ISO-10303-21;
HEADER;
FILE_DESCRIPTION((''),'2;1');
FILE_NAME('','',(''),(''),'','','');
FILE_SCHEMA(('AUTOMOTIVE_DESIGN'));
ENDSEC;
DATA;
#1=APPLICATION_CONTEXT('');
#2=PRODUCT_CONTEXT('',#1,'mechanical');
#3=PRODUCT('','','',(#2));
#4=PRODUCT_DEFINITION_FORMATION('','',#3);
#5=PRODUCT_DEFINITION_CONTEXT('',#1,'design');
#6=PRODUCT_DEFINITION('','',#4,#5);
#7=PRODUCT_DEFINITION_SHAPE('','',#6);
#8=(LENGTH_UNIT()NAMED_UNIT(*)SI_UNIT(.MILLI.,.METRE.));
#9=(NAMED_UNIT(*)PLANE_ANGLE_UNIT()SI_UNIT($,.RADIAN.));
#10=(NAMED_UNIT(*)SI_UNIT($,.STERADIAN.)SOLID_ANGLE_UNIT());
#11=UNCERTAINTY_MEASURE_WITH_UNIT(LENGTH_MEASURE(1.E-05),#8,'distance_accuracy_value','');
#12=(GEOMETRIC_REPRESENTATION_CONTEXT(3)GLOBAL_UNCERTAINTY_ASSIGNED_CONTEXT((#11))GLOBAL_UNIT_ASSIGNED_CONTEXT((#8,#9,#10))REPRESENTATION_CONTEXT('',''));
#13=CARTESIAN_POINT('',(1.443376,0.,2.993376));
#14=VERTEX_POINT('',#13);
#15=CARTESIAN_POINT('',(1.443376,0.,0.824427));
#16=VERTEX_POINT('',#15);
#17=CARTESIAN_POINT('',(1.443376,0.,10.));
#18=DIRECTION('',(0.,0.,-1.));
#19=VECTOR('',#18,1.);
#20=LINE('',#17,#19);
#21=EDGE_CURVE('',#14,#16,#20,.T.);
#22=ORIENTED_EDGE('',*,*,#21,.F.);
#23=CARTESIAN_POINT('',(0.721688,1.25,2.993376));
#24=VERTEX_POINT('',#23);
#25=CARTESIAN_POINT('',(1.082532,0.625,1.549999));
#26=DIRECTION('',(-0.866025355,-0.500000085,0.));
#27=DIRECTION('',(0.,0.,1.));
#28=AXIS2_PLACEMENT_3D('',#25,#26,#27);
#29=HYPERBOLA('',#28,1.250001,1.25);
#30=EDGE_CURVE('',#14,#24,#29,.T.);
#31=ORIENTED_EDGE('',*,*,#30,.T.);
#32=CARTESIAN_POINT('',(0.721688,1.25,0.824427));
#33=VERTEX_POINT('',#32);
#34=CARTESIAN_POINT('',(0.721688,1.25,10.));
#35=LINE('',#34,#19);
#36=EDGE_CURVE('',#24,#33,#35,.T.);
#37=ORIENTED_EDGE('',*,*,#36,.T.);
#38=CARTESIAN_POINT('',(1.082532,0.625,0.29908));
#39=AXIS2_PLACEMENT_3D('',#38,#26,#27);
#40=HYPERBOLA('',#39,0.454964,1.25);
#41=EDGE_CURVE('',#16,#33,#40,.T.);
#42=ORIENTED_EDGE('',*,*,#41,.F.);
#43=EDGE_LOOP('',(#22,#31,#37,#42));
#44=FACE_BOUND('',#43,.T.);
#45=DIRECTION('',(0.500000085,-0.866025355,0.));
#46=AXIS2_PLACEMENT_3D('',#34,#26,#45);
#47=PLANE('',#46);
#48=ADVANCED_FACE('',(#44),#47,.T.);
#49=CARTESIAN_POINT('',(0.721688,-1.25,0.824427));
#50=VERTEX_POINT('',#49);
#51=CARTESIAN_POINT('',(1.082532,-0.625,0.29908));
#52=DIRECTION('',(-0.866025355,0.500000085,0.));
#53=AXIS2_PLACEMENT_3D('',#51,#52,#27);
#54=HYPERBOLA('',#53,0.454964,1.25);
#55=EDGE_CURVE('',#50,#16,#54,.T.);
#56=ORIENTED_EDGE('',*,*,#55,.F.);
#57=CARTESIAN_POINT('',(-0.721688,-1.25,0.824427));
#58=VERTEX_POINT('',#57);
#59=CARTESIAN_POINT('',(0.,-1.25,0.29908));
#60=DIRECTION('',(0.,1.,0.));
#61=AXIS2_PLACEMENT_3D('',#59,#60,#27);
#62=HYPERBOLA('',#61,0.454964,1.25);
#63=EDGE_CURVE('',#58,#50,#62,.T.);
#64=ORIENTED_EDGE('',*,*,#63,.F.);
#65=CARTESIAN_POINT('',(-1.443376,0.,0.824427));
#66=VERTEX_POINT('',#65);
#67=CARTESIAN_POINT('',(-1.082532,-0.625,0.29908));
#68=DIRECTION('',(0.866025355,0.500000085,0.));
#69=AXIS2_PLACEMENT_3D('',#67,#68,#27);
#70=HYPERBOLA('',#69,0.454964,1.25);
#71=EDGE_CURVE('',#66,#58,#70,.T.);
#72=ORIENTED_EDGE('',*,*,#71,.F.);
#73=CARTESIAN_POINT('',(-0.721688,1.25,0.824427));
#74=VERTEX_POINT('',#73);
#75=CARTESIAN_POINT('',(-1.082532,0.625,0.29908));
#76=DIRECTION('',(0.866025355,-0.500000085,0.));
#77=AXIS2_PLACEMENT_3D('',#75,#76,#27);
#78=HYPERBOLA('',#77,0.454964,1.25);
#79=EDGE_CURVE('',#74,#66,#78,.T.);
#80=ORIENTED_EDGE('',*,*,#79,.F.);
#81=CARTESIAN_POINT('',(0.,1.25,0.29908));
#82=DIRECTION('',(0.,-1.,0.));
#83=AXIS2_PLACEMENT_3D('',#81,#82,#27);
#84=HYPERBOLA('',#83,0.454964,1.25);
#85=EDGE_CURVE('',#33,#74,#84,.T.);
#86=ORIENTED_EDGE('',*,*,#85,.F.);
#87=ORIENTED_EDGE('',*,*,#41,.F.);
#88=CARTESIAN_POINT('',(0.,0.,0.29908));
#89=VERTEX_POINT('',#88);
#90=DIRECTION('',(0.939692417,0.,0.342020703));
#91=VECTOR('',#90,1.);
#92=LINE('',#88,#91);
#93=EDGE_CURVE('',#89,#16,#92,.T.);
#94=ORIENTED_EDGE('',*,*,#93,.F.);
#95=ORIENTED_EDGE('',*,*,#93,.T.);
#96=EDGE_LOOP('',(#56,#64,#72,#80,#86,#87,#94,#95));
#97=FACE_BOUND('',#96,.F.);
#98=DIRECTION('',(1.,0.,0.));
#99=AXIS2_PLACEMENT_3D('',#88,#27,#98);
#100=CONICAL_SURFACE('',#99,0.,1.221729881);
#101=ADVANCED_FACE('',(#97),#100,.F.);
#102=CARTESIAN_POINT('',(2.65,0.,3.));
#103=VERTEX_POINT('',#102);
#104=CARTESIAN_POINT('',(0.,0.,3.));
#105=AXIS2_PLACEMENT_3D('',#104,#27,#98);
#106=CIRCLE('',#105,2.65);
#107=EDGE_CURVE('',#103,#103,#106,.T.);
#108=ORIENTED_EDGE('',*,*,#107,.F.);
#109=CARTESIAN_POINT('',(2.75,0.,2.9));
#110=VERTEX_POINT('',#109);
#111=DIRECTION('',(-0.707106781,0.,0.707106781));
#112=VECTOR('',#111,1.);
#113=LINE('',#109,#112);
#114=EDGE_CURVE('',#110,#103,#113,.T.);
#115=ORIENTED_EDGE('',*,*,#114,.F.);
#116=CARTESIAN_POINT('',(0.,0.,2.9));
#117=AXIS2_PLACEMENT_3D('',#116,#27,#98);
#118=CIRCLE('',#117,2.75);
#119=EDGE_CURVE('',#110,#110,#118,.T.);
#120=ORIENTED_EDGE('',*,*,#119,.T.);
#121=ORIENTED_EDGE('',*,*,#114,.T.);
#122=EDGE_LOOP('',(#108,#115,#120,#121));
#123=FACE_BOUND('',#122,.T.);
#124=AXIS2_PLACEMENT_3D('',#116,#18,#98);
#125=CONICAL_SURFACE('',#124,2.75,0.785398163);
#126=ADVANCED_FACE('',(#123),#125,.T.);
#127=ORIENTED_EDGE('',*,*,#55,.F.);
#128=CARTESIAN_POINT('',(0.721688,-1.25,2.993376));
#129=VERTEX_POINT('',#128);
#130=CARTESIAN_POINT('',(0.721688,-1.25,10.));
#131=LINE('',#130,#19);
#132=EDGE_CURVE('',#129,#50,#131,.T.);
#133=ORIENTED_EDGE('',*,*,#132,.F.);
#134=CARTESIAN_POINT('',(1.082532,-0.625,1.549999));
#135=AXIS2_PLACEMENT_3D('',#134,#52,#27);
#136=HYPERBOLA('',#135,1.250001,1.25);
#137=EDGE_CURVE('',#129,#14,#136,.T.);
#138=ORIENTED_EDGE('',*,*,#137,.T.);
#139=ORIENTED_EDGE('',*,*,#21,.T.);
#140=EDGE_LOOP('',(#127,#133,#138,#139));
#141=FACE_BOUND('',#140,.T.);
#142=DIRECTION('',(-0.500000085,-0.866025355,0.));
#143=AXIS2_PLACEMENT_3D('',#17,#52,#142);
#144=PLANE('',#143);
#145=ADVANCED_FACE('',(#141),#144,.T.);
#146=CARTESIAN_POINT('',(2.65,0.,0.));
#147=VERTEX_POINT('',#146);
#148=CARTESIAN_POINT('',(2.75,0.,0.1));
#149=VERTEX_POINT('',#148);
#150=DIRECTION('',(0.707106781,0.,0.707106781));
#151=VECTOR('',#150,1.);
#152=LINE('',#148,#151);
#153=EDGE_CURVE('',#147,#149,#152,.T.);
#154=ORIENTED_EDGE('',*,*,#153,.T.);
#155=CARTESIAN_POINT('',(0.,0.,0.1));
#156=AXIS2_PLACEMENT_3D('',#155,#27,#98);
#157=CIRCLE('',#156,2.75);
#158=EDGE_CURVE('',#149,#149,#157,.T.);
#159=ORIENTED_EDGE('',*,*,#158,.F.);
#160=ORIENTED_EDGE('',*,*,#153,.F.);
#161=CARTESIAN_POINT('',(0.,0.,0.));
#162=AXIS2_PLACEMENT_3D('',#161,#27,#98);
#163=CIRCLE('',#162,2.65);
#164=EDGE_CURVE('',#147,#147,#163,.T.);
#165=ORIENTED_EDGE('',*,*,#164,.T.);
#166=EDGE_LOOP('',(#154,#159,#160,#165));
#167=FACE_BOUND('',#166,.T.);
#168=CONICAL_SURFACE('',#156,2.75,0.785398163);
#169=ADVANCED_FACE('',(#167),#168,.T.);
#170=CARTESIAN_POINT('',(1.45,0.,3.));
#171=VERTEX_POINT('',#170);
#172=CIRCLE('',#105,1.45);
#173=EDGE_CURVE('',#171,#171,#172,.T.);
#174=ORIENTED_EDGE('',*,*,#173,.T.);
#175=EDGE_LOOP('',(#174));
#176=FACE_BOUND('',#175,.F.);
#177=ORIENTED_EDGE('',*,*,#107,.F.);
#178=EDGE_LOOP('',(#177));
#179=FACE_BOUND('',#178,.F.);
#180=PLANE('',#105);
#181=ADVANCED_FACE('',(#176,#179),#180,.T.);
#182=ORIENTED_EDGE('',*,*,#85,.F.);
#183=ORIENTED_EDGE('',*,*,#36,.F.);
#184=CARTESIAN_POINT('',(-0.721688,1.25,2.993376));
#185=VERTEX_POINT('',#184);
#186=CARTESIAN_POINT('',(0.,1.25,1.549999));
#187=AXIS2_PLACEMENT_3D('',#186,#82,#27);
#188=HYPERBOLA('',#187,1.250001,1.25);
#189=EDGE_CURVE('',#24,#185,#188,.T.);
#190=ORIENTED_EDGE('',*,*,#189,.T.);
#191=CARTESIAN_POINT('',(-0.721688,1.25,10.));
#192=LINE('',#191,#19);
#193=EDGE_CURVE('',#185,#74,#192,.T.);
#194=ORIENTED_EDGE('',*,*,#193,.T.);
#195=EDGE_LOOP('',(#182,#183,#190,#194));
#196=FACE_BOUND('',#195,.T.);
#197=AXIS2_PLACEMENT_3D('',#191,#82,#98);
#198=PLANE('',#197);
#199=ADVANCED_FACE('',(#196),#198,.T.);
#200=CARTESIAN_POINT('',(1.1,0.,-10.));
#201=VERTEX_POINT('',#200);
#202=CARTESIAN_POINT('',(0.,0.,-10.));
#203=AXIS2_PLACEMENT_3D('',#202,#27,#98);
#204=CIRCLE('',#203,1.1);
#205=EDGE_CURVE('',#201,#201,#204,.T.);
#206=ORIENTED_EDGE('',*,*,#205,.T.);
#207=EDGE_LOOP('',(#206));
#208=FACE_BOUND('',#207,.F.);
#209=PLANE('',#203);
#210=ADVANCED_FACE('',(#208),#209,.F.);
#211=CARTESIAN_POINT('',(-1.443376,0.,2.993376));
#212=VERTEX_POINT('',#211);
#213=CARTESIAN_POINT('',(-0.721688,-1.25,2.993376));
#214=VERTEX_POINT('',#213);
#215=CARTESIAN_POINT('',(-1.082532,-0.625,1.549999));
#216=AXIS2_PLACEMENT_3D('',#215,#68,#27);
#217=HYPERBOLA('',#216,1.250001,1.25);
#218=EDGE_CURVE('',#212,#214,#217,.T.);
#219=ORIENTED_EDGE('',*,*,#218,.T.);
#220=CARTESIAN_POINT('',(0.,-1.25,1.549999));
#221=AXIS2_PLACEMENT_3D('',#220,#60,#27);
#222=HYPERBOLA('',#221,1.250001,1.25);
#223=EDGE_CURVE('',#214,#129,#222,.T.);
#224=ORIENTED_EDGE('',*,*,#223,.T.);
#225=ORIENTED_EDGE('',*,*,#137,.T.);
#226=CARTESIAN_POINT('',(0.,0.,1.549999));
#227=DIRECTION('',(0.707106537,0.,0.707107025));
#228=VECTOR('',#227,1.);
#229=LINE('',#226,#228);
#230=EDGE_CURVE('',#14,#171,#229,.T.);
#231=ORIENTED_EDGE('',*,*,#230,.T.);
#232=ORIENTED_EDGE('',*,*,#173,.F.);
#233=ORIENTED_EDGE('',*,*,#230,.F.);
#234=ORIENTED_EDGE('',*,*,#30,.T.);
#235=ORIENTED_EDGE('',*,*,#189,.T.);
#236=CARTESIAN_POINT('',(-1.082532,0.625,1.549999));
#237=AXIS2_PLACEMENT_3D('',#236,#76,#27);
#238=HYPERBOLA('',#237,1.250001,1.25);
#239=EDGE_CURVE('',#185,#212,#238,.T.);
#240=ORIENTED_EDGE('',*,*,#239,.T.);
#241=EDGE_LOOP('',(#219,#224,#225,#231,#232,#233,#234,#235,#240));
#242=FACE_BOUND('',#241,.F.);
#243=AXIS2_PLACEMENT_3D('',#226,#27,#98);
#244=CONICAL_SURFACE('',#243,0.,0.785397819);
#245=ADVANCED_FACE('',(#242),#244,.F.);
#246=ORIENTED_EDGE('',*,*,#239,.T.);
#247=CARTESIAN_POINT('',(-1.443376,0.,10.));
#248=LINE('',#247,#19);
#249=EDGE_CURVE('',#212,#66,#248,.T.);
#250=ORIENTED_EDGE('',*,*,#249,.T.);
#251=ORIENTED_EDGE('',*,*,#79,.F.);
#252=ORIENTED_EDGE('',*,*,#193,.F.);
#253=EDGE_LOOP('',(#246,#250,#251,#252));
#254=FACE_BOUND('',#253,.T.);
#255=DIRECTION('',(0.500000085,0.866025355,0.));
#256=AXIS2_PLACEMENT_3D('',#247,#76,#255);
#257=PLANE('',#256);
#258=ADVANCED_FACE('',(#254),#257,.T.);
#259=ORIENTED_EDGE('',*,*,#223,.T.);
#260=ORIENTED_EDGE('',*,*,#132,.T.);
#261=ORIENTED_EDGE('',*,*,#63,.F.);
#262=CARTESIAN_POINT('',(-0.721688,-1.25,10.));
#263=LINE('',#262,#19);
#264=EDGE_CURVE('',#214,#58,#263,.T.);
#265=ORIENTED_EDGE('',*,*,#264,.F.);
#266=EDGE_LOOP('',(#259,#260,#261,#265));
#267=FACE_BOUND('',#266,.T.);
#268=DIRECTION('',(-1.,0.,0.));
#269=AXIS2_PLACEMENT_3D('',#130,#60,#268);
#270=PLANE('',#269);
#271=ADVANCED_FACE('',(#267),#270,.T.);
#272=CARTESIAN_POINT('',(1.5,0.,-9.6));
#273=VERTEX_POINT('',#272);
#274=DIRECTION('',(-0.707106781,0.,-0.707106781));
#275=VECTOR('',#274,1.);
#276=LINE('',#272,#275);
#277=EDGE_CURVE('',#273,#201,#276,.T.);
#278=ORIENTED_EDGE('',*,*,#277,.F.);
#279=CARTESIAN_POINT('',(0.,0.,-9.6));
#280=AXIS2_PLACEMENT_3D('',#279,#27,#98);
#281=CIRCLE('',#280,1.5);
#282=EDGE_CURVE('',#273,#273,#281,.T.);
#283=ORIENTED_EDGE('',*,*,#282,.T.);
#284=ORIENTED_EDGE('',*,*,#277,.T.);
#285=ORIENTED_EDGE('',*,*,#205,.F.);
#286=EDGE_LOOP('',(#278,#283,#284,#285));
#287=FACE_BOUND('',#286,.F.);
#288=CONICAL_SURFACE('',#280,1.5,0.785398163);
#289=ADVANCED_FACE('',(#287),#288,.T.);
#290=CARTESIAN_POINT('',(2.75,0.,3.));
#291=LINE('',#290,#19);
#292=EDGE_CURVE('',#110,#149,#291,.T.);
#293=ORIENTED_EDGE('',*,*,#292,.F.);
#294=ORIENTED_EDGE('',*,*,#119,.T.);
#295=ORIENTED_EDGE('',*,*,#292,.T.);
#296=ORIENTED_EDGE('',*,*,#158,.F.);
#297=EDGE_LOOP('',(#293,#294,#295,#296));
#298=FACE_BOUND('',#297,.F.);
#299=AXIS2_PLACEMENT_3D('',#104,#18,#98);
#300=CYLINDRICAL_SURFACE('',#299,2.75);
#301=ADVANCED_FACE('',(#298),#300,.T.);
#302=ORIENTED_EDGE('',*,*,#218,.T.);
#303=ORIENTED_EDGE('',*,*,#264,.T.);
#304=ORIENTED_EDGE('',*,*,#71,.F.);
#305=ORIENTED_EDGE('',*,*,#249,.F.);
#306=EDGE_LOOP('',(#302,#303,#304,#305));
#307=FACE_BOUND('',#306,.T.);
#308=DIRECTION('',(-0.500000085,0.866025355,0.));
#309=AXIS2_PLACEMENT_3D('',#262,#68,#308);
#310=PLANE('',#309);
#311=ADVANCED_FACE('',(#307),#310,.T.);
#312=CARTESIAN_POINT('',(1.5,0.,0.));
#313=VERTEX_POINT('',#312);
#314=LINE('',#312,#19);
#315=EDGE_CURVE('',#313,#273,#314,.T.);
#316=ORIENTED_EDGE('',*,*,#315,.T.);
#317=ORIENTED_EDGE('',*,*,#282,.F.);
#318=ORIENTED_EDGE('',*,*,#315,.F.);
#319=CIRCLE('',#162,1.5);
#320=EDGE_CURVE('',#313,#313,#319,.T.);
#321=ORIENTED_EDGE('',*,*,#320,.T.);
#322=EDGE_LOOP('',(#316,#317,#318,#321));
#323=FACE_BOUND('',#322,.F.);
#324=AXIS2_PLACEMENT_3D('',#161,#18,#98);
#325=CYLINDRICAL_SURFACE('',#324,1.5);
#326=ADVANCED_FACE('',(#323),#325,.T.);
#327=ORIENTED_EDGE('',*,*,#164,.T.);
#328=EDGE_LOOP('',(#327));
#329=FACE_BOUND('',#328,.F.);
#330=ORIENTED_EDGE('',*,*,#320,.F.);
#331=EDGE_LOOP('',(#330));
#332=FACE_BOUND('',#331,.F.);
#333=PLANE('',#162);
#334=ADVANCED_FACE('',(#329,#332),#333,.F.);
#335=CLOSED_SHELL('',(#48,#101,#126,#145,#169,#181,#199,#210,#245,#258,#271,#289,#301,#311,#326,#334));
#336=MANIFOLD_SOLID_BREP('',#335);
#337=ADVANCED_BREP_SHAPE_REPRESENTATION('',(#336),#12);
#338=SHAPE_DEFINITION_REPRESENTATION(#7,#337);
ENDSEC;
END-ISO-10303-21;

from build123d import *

# Parameters (mm, degrees)
SKETCH034_R     = 3.75
POCKET013_DEPTH = 9.70192
CHAMFER013_SIZE = 0.4
CHAMFER014_SIZE = 0.1


with BuildPart() as pocket013:
    # Sketch035 → Revolution005 (revolve)
    with BuildSketch(Plane.XZ):
        Polygon((0, 0.29908), (2.75, 1.3), (2.75, 10), (0, 10), align=None)
    revolve(axis=Axis((0, 0, 0), (0, 0, 1)))

    # Sketch034 (on Face3 of Revolution005) → Pocket013 (cut, through all)
    with BuildSketch(Plane(origin=(0, 0, 10), x_dir=(-1, 0, 0), z_dir=(0, 0, 1))):
        Circle(SKETCH034_R)
        Polygon((-0.721688, 1.25), (0.721688, 1.25), (1.443376, 0), (0.721688, -1.25), (-0.721688, -1.25), (-1.443376, 0), align=None, mode=Mode.SUBTRACT)
    extrude(amount=-POCKET013_DEPTH, mode=Mode.SUBTRACT)


with BuildPart() as chamfer014:
    # Sketch033 → Revolution004 (revolve)
    with BuildSketch(Plane.XZ):
        Polygon((1.45, 3), (2.75, 3), (2.75, 0), (1.5, 0), (1.5, -10), (0, -10), (0, 1.549999), align=None)
    revolve(axis=Axis((0, 0, 0), (0, 0, 1)))

    # Cut005: cut Pocket013
    add(pocket013.part, mode=Mode.SUBTRACT)

    # Chamfer013
    chamfer013_edges = [chamfer014.edges().sort_by_distance(p)[0] for p in [
        (-1.5, 0, -10),
    ]]
    chamfer(chamfer013_edges, length=CHAMFER013_SIZE)

    # Chamfer014
    chamfer014_edges = [chamfer014.edges().sort_by_distance(p)[0] for p in [
        (-2.75, 0, 0),
        (-2.75, 0, 3),
    ]]
    chamfer(chamfer014_edges, length=CHAMFER014_SIZE)


solid = chamfer014.part
